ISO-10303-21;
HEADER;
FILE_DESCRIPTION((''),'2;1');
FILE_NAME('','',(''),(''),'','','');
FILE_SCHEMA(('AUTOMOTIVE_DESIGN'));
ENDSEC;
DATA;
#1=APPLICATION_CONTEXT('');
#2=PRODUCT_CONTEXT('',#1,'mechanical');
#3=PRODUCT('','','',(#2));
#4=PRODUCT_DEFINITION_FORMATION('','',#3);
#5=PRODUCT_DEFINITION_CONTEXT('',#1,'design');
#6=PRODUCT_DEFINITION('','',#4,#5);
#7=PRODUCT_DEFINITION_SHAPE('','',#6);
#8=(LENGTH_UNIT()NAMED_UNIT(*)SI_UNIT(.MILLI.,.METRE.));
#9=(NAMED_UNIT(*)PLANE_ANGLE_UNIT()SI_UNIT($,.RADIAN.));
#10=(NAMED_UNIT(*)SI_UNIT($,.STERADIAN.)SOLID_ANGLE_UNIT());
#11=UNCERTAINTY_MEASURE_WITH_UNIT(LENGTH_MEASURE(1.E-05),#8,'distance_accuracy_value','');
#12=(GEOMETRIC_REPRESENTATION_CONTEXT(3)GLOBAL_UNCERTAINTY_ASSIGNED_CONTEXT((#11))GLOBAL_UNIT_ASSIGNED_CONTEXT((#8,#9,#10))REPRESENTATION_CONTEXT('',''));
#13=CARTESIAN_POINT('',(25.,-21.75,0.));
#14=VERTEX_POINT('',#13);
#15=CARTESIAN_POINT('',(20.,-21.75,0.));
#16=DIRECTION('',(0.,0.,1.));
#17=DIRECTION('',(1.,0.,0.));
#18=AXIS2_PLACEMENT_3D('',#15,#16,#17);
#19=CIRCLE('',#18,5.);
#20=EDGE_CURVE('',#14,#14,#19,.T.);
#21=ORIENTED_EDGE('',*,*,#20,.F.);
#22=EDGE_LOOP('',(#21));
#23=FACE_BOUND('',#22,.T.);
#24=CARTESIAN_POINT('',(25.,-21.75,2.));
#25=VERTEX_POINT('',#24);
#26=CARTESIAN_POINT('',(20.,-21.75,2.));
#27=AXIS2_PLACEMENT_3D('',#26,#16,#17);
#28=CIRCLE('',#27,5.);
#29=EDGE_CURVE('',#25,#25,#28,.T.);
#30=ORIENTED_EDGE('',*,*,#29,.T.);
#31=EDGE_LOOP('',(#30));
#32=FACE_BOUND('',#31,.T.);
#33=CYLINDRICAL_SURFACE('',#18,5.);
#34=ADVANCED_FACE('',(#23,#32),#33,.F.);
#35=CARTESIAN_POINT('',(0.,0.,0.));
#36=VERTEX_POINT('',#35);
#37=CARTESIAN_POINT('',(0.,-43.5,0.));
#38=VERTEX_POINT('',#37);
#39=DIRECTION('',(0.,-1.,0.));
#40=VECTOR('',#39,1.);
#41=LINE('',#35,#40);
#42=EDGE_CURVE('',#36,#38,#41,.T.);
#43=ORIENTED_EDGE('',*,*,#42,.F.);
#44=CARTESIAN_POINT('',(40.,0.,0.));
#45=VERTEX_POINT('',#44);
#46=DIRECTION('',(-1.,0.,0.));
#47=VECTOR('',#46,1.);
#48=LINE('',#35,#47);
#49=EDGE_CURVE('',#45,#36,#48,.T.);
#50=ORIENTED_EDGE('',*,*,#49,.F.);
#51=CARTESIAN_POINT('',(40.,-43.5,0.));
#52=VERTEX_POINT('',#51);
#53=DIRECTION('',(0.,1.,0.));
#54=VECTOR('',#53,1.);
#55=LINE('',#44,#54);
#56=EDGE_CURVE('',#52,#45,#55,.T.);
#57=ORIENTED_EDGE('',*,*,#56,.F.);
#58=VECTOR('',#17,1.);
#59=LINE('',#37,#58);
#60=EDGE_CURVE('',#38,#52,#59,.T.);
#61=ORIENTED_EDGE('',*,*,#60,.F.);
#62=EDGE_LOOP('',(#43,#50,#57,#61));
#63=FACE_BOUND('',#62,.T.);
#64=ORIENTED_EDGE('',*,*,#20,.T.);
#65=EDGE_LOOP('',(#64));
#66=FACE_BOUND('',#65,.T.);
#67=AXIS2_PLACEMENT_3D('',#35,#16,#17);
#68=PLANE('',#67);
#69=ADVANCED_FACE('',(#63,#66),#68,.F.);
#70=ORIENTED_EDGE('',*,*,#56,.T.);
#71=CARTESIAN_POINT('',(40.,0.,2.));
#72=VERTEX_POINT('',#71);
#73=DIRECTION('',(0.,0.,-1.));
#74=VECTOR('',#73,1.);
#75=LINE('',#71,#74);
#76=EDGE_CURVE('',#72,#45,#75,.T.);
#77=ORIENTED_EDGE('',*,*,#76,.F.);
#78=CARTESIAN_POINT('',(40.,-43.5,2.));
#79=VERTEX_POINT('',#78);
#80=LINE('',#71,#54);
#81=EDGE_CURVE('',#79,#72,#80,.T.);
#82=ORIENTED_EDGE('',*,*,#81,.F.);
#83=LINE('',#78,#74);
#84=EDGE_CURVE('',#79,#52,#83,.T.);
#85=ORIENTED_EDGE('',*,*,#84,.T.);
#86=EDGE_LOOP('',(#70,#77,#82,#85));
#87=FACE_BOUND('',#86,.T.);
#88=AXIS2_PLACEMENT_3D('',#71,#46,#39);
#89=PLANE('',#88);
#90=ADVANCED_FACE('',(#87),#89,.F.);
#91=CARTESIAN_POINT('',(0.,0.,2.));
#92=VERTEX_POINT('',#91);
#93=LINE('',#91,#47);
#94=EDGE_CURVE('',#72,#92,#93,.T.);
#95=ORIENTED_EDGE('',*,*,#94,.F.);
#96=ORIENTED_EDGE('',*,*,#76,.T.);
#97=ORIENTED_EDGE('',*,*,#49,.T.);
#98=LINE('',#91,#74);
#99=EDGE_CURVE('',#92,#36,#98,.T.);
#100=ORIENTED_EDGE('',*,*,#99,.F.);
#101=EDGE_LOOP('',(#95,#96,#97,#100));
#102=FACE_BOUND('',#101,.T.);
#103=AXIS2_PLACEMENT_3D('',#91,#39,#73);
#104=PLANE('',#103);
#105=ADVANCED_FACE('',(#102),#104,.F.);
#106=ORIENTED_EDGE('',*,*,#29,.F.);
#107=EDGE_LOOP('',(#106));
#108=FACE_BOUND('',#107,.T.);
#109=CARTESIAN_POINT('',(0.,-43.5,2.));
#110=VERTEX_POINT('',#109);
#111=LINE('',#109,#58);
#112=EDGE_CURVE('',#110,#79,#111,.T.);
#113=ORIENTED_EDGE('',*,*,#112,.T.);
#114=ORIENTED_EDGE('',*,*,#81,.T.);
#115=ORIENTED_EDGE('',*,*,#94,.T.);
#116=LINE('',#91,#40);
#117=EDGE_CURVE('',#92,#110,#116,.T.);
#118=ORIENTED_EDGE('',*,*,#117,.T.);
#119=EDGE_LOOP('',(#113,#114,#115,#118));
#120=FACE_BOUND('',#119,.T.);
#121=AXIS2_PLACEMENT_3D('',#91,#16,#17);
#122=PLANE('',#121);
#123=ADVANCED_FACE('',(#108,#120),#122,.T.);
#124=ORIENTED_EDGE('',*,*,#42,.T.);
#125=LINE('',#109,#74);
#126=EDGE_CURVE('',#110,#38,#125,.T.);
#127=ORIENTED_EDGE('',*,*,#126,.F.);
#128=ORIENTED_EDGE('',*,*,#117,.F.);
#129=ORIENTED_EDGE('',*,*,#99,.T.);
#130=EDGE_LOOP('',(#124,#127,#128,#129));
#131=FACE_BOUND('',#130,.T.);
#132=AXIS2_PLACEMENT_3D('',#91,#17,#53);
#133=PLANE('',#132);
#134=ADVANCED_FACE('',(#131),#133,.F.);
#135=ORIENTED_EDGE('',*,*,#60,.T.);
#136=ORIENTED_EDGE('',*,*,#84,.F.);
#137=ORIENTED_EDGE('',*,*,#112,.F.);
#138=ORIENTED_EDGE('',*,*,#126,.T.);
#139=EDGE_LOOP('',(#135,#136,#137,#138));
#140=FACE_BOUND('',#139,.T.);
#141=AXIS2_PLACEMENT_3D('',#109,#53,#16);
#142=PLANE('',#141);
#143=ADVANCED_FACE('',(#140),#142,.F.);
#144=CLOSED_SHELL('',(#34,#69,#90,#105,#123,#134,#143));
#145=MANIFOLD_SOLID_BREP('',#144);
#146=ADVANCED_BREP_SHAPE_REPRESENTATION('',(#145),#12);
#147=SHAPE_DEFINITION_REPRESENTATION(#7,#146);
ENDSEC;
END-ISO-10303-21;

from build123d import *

# Parameters (mm, degrees)
SKETCH_2_W          = 40
SKETCH_2_H          = 43.5
EXTRUDE_1_DEPTH     = 2
SKETCH_3_R          = 5
CUT_EXTRUDE_1_DEPTH = 60.129096053


with BuildPart() as part:
    # 草图2 → 凸台-拉伸1 (new body)
    with BuildSketch(Plane.XY):
        with Locations((20, -21.75)):
            Rectangle(SKETCH_2_W, SKETCH_2_H)
    extrude(amount=EXTRUDE_1_DEPTH)

    # 草图3 → 切除-拉伸1 (cut, through all)
    with BuildSketch(Plane.XY.offset(2)):
        with Locations((20, -21.75)):
            Circle(SKETCH_3_R)
    extrude(amount=-CUT_EXTRUDE_1_DEPTH, mode=Mode.SUBTRACT)


solid = part.part
